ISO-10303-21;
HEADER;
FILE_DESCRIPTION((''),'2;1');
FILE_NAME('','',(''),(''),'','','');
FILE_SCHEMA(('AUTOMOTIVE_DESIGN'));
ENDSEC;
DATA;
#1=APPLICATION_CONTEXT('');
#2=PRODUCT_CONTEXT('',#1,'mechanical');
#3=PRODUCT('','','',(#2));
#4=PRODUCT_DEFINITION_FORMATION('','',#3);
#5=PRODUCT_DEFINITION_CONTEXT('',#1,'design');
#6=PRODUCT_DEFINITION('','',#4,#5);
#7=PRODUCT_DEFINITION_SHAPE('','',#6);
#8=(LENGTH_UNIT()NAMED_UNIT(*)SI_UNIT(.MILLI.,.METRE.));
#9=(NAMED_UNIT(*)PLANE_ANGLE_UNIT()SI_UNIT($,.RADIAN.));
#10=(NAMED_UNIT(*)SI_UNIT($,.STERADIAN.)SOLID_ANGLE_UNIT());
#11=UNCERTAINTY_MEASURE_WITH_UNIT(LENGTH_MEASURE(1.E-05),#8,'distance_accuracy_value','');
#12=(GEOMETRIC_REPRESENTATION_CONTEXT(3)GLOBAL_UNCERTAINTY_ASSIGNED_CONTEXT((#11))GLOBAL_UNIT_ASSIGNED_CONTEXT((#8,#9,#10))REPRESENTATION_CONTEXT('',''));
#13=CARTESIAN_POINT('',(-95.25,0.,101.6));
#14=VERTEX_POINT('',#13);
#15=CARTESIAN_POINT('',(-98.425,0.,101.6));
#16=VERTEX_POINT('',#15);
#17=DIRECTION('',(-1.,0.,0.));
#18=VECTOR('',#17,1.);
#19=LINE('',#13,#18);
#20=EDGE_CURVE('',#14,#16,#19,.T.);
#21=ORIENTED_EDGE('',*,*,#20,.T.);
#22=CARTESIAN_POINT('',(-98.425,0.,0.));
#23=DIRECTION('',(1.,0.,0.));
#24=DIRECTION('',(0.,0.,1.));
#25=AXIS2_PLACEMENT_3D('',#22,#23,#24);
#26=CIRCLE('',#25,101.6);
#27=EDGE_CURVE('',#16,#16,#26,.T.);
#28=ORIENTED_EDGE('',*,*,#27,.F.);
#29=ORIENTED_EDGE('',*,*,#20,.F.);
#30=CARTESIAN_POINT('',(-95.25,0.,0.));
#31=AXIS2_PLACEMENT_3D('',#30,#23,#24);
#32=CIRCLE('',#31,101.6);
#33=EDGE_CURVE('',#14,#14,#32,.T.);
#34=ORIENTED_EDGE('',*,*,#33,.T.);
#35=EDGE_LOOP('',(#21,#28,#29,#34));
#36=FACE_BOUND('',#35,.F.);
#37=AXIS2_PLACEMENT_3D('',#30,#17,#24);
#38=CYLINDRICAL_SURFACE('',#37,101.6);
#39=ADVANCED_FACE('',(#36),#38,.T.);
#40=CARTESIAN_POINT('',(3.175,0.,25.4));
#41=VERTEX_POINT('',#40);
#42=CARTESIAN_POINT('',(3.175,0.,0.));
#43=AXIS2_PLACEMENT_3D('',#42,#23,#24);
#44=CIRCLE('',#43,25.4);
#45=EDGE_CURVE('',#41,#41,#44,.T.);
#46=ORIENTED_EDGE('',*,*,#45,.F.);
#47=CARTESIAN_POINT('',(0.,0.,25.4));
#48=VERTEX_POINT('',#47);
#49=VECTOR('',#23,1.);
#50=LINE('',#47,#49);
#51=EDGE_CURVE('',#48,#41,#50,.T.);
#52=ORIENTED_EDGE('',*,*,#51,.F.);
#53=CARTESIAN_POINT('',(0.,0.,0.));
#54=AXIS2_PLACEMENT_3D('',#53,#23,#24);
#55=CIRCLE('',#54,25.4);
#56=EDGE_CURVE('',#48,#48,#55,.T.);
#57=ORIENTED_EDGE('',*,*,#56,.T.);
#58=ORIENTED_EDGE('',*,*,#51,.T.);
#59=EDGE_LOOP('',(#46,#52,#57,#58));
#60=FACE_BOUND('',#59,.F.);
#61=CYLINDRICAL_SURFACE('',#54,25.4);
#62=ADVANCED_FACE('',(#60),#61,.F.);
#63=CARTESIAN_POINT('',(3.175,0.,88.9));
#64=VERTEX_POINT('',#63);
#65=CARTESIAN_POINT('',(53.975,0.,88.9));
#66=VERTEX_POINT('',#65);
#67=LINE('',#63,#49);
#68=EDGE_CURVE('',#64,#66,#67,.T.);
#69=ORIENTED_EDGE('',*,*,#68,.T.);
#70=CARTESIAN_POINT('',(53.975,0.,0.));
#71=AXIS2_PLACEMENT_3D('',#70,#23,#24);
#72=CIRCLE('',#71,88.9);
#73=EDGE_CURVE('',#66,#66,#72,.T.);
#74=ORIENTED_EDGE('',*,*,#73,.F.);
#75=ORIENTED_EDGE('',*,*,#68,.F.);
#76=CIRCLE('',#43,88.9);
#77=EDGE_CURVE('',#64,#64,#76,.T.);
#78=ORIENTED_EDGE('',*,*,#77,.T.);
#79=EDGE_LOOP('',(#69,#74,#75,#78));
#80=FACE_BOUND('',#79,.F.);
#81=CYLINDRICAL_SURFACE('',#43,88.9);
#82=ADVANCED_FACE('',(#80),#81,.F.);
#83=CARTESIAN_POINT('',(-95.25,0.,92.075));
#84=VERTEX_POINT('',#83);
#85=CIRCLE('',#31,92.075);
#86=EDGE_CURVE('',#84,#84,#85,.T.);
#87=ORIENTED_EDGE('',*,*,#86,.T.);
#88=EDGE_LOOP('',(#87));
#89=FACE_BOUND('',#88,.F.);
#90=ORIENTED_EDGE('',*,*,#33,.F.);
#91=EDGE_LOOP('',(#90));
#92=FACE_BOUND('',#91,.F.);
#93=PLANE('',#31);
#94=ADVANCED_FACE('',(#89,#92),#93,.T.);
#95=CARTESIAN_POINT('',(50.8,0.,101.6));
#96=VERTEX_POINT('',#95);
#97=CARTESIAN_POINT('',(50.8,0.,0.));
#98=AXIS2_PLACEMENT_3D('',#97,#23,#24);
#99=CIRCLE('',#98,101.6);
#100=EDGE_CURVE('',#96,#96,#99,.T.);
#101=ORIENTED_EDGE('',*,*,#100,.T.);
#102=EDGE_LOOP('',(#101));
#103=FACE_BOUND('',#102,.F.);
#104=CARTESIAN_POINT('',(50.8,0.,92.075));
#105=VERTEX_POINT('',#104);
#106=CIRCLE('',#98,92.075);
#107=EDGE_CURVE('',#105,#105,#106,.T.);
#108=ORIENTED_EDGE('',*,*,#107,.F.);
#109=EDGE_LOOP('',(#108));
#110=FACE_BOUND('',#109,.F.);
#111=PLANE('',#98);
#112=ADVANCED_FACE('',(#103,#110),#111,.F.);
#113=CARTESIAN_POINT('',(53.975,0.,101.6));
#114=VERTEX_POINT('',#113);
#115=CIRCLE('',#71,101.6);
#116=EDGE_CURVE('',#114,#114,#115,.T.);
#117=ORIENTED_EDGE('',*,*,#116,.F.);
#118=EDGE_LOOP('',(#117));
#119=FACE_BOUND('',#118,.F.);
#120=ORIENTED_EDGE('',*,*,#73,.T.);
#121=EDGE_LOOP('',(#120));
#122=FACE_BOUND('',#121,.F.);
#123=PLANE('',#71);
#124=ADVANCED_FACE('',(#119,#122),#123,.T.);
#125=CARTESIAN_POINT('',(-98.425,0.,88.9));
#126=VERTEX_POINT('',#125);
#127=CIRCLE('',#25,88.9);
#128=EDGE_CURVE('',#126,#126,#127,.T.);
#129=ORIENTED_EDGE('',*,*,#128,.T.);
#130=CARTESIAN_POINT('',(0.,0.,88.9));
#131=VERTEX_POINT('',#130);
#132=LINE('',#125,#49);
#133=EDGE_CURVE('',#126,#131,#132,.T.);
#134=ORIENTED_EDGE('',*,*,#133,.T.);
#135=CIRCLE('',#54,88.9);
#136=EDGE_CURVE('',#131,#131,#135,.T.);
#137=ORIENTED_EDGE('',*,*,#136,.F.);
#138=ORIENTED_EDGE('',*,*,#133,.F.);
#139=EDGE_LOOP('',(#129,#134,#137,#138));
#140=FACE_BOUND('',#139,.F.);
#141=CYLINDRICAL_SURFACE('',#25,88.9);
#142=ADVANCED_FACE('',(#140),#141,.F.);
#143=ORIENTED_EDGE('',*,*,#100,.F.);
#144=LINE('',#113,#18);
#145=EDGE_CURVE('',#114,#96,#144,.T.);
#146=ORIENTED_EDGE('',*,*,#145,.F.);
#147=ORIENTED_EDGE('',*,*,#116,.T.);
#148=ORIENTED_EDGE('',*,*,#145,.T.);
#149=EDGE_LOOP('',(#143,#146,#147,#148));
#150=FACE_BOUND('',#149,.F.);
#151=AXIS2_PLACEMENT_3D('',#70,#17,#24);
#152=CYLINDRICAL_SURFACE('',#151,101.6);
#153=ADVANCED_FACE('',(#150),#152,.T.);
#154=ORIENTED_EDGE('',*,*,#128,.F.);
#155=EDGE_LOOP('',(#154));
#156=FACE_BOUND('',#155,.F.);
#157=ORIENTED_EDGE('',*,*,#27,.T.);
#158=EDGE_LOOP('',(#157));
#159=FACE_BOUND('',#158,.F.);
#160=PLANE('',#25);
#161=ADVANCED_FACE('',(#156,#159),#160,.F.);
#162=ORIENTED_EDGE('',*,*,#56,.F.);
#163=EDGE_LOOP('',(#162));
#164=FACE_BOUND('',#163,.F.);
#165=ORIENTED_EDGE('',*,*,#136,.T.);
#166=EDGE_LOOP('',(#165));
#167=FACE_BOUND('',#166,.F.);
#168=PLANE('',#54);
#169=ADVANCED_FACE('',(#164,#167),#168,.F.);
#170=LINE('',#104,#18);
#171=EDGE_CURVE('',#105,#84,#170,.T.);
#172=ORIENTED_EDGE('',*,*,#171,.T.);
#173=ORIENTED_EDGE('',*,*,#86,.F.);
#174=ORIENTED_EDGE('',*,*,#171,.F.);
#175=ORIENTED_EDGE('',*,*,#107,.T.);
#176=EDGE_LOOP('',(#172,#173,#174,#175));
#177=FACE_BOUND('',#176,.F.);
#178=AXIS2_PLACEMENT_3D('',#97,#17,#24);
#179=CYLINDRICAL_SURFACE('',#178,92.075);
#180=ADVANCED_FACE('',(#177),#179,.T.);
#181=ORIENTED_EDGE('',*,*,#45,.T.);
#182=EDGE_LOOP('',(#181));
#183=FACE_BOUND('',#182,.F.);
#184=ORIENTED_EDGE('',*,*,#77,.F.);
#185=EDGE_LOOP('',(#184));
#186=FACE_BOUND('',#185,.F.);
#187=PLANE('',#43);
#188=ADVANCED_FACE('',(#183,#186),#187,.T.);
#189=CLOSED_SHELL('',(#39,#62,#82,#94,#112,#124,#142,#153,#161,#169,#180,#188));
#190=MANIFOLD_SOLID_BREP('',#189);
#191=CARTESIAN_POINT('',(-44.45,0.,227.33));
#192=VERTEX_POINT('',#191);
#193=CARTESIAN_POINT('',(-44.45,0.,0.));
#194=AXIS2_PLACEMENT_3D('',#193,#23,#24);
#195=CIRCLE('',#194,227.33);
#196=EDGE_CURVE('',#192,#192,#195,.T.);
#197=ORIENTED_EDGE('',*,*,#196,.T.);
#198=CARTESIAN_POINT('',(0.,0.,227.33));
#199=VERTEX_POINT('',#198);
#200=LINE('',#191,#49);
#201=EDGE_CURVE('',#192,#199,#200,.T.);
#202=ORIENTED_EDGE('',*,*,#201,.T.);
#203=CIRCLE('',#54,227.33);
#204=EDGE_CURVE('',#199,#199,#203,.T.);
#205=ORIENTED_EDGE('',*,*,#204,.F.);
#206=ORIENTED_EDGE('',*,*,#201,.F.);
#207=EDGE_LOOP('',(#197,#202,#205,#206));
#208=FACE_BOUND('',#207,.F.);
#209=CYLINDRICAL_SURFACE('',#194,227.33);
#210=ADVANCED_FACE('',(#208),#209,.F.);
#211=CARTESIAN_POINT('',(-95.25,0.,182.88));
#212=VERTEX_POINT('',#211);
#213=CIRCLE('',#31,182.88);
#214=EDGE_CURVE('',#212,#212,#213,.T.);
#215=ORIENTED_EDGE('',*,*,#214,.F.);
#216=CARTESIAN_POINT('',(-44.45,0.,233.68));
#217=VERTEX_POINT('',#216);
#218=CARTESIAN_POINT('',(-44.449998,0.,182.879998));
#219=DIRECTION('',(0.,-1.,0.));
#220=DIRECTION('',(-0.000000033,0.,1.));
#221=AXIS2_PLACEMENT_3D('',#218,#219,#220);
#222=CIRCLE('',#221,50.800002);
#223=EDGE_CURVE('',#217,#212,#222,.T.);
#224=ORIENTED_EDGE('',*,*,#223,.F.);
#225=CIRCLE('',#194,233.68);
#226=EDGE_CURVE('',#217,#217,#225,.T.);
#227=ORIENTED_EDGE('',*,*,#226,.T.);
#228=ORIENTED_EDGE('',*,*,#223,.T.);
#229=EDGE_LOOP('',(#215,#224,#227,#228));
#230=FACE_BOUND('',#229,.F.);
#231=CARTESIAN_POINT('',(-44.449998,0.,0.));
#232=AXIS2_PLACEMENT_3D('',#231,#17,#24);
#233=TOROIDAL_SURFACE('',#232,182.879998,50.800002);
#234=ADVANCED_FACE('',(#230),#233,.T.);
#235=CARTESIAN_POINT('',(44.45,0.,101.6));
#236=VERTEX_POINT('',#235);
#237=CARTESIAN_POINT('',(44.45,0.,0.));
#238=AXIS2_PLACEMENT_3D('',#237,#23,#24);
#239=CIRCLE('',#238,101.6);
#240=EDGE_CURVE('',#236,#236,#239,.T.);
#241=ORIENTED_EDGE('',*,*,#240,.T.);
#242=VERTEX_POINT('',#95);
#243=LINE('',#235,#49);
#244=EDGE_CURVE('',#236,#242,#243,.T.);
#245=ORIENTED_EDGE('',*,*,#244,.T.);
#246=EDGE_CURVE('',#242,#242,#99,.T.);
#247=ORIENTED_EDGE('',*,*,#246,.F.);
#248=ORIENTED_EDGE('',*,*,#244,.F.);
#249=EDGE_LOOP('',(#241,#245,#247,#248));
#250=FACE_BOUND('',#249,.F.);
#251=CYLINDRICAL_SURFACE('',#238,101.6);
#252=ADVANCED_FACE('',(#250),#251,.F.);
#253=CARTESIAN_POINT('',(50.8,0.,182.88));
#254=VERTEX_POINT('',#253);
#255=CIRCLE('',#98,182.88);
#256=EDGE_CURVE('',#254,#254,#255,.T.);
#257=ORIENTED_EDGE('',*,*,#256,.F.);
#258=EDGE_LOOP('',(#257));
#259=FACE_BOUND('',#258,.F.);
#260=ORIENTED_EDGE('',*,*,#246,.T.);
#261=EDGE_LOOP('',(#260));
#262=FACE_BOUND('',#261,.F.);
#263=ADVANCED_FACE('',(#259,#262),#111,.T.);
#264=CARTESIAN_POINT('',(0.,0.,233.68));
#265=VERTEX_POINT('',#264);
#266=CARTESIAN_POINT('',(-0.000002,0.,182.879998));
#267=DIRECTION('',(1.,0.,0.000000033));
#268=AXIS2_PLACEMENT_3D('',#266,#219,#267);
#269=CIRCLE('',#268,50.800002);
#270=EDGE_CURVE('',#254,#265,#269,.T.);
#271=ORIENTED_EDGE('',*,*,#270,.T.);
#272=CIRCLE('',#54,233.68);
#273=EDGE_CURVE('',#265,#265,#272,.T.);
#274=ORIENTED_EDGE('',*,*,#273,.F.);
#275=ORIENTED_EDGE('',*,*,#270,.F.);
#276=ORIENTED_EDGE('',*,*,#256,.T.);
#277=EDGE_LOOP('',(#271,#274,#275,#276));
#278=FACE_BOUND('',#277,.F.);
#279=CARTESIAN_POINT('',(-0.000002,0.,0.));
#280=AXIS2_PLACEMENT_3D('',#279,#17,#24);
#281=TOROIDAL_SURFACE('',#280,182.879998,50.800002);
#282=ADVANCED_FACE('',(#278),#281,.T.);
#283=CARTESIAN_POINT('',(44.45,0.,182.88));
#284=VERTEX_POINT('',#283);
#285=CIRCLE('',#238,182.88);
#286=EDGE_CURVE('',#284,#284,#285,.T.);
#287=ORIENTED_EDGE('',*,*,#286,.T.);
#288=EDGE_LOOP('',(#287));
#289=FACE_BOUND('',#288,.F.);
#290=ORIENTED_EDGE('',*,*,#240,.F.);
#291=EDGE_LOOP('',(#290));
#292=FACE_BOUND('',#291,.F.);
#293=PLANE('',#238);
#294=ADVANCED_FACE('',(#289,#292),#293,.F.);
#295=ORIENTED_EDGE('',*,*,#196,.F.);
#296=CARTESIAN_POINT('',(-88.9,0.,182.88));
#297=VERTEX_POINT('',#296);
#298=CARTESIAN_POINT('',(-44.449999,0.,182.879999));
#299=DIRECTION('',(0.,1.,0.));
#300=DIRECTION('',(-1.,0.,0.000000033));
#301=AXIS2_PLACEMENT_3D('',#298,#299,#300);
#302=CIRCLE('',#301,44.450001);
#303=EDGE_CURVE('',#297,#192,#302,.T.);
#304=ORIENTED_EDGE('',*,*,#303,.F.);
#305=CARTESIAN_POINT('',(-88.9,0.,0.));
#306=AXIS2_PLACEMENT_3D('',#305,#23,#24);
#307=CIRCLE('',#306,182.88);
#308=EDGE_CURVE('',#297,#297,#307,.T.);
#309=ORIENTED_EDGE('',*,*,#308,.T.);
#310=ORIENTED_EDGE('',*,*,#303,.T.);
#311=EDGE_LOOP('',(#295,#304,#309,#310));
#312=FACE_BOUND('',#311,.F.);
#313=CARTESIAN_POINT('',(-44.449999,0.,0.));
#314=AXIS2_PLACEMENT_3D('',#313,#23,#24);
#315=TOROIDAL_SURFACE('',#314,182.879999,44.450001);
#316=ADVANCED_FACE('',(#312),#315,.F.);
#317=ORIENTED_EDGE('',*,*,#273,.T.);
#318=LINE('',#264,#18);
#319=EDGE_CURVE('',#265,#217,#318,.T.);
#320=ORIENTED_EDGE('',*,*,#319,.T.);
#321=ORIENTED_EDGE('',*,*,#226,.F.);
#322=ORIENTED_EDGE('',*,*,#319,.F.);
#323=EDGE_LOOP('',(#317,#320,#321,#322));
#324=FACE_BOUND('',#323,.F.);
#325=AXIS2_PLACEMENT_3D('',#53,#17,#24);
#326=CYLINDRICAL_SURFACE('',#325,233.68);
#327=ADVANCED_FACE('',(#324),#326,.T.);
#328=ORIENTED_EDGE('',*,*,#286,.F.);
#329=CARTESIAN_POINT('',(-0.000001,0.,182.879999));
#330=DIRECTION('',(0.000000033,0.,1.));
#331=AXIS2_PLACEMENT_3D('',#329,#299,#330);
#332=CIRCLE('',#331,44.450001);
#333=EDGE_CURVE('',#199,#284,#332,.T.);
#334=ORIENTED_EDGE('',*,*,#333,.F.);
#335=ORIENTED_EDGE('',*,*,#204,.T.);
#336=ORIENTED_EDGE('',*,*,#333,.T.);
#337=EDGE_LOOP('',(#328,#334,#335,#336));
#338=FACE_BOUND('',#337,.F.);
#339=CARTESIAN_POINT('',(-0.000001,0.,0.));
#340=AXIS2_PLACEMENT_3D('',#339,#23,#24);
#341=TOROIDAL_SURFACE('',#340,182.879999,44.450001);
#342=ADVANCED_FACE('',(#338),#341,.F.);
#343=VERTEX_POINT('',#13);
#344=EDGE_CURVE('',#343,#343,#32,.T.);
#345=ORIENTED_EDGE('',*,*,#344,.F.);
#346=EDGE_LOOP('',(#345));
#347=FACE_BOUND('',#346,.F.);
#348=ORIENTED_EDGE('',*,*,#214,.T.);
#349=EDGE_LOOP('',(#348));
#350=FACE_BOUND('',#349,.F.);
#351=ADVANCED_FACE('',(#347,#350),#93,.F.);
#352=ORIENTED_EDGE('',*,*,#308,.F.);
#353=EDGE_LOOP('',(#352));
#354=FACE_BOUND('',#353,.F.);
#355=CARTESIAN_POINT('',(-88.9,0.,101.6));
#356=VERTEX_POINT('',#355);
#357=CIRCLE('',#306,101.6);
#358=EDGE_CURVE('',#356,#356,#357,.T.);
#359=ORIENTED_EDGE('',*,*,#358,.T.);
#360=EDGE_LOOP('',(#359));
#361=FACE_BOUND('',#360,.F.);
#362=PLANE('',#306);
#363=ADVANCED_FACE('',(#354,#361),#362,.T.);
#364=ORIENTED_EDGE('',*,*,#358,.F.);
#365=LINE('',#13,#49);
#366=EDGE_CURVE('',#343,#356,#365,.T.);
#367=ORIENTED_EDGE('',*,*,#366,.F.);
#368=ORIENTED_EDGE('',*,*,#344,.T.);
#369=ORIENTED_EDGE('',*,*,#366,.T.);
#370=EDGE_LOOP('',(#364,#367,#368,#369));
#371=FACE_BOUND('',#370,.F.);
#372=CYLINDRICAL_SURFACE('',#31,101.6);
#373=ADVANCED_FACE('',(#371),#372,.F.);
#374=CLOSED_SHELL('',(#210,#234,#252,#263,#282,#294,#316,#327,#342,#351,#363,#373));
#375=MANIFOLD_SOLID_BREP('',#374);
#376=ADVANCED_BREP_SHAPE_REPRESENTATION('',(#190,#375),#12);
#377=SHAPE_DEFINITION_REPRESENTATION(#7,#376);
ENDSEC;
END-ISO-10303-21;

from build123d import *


with BuildPart() as f1:
    # F0 (on Front) → F1 (revolve)
    with BuildSketch(Plane.XZ):
        with BuildLine():
            Line((-95.25, 182.88), (-95.25, 101.6))
            Line((-95.25, 101.6), (-88.9, 101.6))
            Line((-88.9, 101.6), (-88.9, 182.88))
            ThreePointArc((-88.9, 182.88), (-75.880896, 214.310896), (-44.45, 227.33))
            Line((-44.45, 227.33), (0, 227.33))
            ThreePointArc((0, 227.33), (31.430896, 214.310896), (44.45, 182.88))
            Line((44.45, 182.88), (44.45, 101.6))
            Line((44.45, 101.6), (50.8, 101.6))
            Line((50.8, 101.6), (50.8, 182.88))
            ThreePointArc((50.8, 182.88), (35.921024, 218.801024), (0, 233.68))
            Line((0, 233.68), (-44.45, 233.68))
            ThreePointArc((-44.45, 233.68), (-80.371024, 218.801024), (-95.25, 182.88))
        make_face()
        Polygon((0, 88.9), (0, 25.4), (3.175, 25.4), (3.175, 88.9), (53.975, 88.9), (53.975, 101.6), (50.8, 101.6), (50.8, 92.075), (-95.25, 92.075), (-95.25, 101.6), (-98.425, 101.6), (-98.425, 88.9), align=None)
    revolve(axis=Axis((1.5875, 0, 0), (1, 0, 0)))


solid = f1.part
